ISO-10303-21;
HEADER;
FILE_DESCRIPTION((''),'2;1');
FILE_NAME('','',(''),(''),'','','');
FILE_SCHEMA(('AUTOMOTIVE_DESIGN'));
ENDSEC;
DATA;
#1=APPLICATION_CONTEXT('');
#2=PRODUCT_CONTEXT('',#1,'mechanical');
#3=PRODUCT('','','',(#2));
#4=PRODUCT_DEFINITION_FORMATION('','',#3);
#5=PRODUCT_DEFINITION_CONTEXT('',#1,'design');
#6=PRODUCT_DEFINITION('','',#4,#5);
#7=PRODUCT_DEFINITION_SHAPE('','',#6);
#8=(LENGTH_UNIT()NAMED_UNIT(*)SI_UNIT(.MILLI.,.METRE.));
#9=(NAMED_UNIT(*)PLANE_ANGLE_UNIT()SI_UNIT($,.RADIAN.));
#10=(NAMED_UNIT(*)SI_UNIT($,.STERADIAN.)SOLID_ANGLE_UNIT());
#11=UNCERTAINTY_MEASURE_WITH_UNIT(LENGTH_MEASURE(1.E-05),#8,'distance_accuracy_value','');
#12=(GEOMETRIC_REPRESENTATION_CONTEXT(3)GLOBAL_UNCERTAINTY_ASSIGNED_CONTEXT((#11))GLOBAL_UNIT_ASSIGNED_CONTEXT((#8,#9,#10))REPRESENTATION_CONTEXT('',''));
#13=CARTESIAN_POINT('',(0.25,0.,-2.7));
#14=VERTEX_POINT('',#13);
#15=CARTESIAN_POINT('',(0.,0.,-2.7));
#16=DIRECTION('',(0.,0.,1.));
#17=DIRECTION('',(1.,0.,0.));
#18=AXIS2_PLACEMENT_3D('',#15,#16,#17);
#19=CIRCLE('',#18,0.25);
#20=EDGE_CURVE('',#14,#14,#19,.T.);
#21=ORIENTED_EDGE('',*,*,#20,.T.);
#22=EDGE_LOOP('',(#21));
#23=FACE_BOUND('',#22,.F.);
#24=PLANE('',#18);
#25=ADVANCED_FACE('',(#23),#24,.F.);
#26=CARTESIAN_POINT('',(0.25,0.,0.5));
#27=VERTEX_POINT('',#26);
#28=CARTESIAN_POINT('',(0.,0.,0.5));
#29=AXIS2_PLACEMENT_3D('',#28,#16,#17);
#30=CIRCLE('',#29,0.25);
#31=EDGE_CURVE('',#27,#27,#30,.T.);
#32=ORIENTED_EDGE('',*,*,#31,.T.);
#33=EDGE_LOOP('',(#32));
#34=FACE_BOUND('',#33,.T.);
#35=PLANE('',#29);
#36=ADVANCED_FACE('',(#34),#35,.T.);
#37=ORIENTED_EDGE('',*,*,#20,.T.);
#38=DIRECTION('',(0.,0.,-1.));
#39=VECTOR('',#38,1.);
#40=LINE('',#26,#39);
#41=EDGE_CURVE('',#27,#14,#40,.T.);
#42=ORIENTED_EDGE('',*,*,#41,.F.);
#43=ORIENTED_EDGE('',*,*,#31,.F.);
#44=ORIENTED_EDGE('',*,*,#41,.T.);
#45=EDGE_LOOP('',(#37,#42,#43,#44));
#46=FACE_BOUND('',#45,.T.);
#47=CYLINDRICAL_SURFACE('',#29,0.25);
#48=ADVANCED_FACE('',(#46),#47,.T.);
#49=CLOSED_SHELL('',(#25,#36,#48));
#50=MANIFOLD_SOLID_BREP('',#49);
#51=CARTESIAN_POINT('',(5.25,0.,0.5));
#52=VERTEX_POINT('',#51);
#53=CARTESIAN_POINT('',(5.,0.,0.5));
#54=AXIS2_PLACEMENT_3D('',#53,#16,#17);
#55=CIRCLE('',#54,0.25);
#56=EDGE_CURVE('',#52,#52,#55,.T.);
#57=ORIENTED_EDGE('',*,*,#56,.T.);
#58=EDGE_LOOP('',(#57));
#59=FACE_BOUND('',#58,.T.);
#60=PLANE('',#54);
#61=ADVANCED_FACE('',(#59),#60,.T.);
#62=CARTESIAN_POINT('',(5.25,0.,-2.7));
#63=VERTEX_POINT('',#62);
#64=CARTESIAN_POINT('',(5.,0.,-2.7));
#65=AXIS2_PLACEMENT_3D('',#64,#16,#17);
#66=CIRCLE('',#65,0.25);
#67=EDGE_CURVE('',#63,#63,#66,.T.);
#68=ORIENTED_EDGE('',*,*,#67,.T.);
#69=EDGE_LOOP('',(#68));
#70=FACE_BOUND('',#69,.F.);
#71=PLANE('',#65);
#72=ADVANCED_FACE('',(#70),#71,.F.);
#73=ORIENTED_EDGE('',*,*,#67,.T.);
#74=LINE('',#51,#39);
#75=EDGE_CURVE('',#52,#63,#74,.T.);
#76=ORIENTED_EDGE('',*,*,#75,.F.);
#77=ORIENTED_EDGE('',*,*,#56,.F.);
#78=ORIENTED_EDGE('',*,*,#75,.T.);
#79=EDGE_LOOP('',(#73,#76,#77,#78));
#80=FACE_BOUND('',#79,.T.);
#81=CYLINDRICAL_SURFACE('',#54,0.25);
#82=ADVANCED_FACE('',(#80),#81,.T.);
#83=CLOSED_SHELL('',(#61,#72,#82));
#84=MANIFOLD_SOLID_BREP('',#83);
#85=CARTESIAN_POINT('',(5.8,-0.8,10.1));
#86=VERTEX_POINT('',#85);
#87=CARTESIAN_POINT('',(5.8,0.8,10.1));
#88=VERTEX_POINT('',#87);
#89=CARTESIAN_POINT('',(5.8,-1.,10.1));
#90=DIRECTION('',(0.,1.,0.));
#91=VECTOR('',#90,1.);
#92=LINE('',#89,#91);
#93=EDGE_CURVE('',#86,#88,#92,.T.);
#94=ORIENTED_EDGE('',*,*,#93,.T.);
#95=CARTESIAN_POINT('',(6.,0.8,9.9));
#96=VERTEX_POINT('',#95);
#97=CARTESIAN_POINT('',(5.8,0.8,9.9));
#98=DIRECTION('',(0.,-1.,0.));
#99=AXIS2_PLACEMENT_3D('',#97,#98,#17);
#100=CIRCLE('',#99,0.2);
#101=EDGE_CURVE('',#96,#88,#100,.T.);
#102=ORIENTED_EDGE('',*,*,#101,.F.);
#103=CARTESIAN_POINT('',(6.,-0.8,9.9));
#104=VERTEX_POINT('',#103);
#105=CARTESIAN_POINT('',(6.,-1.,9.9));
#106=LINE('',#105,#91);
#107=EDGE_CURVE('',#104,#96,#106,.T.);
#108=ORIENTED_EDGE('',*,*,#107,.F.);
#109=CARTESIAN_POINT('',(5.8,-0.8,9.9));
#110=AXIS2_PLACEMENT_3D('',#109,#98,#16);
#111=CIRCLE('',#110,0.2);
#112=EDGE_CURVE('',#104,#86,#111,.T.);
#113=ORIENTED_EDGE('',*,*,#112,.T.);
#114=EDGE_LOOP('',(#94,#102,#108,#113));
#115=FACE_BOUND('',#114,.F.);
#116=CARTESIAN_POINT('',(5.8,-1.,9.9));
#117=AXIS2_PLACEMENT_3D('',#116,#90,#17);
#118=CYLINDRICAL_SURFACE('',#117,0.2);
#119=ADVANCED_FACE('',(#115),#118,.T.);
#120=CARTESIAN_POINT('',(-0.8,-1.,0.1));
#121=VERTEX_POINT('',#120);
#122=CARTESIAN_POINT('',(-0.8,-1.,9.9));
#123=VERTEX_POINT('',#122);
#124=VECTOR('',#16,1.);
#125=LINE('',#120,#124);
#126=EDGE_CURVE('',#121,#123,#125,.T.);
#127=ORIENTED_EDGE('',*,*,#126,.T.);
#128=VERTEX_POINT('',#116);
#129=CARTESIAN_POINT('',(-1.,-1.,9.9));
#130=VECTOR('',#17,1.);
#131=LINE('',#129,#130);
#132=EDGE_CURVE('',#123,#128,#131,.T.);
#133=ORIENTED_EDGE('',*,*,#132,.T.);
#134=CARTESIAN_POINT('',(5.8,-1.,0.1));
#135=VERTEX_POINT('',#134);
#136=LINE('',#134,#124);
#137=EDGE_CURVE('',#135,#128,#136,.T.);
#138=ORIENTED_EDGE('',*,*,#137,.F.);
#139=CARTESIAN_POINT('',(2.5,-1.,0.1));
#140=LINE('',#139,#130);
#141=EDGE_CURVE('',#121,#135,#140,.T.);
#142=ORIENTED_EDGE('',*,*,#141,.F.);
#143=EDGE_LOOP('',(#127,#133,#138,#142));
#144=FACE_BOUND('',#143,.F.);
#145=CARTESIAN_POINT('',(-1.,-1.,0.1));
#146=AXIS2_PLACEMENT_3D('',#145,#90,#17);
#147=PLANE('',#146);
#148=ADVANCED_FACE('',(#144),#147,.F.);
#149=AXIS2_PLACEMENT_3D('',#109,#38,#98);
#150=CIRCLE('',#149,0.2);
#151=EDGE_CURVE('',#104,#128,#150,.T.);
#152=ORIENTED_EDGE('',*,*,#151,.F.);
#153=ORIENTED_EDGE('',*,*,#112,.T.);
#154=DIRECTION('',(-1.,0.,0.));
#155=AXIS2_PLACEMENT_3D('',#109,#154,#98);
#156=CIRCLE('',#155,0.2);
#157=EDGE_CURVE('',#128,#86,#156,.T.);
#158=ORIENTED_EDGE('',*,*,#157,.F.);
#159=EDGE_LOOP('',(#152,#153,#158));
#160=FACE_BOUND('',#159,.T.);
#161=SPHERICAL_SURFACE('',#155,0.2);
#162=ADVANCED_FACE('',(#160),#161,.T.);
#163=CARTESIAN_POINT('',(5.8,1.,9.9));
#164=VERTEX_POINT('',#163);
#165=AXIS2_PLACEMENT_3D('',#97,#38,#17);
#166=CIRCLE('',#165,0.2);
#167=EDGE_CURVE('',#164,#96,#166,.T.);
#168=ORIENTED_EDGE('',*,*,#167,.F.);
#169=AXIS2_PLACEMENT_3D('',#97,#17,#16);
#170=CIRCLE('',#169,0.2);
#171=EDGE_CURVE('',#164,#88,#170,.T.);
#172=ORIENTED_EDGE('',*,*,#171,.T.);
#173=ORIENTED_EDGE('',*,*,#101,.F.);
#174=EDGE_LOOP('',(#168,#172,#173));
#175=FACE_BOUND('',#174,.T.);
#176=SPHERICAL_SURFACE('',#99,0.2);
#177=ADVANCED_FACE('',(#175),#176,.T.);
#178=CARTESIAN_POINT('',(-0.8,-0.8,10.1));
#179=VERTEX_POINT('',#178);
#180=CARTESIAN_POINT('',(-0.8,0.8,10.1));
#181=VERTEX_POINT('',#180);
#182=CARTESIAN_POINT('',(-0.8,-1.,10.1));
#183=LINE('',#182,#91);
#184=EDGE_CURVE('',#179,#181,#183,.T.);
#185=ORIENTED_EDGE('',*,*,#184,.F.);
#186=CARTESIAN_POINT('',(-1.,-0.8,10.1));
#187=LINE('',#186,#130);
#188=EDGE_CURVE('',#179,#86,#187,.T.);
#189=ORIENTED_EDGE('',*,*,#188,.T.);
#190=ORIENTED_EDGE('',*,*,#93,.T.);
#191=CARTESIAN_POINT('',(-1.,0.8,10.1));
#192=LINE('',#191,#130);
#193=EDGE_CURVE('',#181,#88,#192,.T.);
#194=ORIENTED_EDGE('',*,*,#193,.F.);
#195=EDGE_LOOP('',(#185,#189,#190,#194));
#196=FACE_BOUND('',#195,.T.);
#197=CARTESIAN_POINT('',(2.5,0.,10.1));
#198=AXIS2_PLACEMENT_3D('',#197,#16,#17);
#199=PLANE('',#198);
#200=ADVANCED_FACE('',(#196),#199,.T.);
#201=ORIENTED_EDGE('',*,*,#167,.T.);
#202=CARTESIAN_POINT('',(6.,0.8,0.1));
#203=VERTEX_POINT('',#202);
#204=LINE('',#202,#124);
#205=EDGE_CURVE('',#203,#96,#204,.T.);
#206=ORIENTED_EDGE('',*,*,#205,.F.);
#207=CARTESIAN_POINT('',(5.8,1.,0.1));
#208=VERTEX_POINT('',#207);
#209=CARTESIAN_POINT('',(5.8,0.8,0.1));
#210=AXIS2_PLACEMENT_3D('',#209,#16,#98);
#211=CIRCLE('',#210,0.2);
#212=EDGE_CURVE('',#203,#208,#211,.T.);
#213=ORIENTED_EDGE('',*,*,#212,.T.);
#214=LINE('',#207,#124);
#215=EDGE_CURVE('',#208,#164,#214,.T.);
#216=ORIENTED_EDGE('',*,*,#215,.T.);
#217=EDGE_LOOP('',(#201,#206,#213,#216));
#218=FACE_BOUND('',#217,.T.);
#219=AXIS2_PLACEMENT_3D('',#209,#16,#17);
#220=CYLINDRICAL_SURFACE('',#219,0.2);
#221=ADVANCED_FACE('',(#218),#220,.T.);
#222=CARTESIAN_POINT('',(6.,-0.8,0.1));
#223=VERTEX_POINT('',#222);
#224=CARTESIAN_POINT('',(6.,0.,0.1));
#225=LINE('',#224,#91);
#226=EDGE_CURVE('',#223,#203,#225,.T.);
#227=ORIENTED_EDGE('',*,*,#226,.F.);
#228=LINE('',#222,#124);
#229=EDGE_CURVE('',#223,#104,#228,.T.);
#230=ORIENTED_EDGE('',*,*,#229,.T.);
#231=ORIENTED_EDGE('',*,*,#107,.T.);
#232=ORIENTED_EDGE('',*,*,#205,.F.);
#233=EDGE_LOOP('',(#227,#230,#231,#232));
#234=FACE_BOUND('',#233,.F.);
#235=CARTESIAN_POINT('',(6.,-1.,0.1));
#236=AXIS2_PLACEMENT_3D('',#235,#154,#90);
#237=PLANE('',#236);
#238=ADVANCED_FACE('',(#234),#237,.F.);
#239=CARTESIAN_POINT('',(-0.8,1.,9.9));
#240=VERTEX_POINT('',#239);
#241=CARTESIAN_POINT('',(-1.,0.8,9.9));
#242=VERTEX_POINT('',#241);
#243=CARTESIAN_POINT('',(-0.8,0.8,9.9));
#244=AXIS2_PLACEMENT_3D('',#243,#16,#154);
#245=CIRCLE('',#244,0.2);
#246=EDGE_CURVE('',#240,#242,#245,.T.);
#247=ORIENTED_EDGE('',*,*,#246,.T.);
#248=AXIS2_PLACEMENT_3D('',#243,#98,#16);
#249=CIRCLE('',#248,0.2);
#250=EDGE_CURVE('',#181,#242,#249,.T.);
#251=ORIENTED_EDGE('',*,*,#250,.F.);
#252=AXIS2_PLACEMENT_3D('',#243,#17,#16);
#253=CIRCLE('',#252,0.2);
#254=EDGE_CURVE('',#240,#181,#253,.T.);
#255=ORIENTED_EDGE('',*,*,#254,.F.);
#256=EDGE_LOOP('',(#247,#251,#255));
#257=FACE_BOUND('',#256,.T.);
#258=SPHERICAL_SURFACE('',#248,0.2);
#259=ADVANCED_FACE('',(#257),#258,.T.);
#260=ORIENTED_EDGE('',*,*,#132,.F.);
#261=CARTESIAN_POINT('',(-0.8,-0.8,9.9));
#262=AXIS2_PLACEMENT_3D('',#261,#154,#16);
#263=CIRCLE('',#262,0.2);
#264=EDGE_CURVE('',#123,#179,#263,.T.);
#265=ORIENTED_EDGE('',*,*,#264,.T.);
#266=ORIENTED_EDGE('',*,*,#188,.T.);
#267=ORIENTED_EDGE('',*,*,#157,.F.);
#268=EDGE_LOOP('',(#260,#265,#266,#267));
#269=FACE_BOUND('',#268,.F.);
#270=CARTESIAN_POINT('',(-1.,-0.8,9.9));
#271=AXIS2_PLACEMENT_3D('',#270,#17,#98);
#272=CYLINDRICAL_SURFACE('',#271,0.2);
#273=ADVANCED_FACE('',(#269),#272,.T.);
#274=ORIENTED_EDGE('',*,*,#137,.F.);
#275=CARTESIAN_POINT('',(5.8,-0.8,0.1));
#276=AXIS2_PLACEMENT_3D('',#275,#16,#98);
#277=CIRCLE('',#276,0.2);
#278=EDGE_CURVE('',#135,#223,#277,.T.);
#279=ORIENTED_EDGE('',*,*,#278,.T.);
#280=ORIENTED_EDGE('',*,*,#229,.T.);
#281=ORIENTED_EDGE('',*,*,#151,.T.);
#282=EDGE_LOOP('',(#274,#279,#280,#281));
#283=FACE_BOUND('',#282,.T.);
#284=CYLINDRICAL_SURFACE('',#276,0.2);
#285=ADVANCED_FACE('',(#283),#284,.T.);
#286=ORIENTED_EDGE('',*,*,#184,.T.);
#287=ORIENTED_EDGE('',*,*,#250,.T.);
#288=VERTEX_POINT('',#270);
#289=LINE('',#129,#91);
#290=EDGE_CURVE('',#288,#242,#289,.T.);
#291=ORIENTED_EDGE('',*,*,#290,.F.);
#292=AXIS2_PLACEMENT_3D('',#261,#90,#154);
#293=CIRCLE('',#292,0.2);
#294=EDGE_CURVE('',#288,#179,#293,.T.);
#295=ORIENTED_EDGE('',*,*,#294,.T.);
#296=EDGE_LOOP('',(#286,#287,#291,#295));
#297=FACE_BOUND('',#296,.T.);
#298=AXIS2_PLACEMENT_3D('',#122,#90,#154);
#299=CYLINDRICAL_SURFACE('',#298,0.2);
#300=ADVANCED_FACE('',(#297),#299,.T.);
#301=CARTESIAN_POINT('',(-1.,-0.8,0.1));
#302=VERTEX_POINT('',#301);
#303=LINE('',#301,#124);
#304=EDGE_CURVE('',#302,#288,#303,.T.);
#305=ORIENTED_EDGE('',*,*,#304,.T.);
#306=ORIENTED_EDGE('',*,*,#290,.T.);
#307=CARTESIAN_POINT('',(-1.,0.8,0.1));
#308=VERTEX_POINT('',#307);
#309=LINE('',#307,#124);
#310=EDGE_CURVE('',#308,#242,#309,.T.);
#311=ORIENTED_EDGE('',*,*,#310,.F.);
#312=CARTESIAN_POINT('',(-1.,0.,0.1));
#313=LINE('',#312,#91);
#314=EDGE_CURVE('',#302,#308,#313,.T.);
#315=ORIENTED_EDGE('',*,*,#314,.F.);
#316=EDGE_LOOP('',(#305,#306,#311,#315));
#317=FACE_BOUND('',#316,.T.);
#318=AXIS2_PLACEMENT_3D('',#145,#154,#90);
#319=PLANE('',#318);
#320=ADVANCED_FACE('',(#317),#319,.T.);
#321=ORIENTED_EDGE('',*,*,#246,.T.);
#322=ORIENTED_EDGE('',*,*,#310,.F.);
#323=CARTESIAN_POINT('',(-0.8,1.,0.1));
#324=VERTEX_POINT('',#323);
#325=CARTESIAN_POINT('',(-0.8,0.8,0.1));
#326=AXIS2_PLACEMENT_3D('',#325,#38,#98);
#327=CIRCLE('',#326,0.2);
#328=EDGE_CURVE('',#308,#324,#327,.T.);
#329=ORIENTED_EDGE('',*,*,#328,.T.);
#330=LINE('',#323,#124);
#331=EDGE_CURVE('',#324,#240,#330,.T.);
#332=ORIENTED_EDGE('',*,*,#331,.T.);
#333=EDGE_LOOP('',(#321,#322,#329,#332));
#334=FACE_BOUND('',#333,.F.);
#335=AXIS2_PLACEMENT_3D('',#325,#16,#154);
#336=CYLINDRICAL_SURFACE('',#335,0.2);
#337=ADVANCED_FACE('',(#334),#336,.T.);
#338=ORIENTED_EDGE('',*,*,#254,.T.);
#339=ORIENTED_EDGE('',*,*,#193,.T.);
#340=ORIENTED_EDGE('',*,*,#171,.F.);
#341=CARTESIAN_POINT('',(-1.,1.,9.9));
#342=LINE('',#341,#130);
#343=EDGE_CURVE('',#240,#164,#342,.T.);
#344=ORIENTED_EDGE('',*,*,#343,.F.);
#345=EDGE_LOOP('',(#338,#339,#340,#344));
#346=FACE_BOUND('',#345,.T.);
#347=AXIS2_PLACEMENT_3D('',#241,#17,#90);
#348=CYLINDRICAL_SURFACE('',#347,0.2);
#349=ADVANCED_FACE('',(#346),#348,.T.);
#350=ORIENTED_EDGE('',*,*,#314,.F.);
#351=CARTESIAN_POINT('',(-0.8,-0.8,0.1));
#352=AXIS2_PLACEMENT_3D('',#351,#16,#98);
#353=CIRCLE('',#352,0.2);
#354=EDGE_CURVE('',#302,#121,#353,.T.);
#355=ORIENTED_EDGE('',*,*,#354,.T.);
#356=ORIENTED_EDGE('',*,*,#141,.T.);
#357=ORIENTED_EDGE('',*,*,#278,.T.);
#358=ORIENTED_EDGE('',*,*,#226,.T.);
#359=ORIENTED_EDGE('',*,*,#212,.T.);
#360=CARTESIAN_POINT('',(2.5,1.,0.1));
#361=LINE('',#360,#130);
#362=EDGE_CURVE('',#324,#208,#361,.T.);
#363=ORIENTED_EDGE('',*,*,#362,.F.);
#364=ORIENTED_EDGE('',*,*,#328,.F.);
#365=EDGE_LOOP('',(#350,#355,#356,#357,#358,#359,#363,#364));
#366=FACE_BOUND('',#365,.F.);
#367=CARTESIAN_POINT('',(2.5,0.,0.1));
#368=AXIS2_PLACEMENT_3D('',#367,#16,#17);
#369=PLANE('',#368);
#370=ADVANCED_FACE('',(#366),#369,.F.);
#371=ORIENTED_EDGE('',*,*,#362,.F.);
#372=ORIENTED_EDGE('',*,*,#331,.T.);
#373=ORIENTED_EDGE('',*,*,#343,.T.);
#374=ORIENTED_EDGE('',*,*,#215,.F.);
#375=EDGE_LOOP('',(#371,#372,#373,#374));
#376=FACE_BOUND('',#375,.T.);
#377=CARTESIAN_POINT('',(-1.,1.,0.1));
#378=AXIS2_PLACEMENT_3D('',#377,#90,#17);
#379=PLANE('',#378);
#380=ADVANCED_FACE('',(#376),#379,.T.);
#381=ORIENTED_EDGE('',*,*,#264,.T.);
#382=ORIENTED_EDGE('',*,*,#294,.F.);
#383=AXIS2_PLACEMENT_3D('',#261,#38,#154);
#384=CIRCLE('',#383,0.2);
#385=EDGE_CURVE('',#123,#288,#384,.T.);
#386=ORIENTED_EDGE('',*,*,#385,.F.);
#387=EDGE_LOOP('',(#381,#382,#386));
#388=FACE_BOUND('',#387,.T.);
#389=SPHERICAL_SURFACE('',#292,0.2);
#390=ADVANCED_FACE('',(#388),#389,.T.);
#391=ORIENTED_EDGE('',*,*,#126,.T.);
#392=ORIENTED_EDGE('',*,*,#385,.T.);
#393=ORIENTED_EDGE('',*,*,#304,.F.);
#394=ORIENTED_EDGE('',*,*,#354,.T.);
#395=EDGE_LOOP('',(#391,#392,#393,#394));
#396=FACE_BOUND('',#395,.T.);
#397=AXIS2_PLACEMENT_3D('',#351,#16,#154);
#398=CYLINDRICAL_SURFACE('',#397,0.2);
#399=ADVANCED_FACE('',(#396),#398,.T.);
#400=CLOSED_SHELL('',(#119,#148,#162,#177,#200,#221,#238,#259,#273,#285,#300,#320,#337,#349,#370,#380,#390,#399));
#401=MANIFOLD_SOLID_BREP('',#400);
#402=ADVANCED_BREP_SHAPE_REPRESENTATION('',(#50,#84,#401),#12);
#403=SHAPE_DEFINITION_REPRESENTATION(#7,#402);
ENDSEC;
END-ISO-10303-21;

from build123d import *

# Parameters (mm, degrees)
SKETCH_W     = 7
SKETCH_H     = 2
PAD_DEPTH    = 10
FILLET_R     = 0.2
SKETCH001_R  = 0.25
PAD001_DEPTH = 3.2


with BuildPart() as fillet_body:
    # Sketch → Pad (new body)
    with BuildSketch(Plane.XY.offset(0.1)):
        with Locations((2.5, 0)):
            Rectangle(SKETCH_W, SKETCH_H)
    extrude(amount=PAD_DEPTH)

    # Fillet
    fillet_edges = [fillet_body.edges().sort_by_distance(p)[0] for p in [
        (-1, 0, 10.1),
        (-1, -1, 5.1),
        (2.5, -1, 10.1),
        (6, -1, 5.1),
        (6, 0, 10.1),
        (6, 1, 5.1),
        (2.5, 1, 10.1),
        (-1, 1, 5.1),
    ]]
    fillet(fillet_edges, radius=FILLET_R)


with BuildPart() as pad001:
    # Sketch001 → Pad001 (new body)
    with BuildSketch(Plane.XY.offset(0.5)):
        Circle(SKETCH001_R)
        with Locations((5, 0)):
            Circle(SKETCH001_R)
    extrude(amount=-PAD001_DEPTH)


solid = Compound([fillet_body.part, pad001.part])
